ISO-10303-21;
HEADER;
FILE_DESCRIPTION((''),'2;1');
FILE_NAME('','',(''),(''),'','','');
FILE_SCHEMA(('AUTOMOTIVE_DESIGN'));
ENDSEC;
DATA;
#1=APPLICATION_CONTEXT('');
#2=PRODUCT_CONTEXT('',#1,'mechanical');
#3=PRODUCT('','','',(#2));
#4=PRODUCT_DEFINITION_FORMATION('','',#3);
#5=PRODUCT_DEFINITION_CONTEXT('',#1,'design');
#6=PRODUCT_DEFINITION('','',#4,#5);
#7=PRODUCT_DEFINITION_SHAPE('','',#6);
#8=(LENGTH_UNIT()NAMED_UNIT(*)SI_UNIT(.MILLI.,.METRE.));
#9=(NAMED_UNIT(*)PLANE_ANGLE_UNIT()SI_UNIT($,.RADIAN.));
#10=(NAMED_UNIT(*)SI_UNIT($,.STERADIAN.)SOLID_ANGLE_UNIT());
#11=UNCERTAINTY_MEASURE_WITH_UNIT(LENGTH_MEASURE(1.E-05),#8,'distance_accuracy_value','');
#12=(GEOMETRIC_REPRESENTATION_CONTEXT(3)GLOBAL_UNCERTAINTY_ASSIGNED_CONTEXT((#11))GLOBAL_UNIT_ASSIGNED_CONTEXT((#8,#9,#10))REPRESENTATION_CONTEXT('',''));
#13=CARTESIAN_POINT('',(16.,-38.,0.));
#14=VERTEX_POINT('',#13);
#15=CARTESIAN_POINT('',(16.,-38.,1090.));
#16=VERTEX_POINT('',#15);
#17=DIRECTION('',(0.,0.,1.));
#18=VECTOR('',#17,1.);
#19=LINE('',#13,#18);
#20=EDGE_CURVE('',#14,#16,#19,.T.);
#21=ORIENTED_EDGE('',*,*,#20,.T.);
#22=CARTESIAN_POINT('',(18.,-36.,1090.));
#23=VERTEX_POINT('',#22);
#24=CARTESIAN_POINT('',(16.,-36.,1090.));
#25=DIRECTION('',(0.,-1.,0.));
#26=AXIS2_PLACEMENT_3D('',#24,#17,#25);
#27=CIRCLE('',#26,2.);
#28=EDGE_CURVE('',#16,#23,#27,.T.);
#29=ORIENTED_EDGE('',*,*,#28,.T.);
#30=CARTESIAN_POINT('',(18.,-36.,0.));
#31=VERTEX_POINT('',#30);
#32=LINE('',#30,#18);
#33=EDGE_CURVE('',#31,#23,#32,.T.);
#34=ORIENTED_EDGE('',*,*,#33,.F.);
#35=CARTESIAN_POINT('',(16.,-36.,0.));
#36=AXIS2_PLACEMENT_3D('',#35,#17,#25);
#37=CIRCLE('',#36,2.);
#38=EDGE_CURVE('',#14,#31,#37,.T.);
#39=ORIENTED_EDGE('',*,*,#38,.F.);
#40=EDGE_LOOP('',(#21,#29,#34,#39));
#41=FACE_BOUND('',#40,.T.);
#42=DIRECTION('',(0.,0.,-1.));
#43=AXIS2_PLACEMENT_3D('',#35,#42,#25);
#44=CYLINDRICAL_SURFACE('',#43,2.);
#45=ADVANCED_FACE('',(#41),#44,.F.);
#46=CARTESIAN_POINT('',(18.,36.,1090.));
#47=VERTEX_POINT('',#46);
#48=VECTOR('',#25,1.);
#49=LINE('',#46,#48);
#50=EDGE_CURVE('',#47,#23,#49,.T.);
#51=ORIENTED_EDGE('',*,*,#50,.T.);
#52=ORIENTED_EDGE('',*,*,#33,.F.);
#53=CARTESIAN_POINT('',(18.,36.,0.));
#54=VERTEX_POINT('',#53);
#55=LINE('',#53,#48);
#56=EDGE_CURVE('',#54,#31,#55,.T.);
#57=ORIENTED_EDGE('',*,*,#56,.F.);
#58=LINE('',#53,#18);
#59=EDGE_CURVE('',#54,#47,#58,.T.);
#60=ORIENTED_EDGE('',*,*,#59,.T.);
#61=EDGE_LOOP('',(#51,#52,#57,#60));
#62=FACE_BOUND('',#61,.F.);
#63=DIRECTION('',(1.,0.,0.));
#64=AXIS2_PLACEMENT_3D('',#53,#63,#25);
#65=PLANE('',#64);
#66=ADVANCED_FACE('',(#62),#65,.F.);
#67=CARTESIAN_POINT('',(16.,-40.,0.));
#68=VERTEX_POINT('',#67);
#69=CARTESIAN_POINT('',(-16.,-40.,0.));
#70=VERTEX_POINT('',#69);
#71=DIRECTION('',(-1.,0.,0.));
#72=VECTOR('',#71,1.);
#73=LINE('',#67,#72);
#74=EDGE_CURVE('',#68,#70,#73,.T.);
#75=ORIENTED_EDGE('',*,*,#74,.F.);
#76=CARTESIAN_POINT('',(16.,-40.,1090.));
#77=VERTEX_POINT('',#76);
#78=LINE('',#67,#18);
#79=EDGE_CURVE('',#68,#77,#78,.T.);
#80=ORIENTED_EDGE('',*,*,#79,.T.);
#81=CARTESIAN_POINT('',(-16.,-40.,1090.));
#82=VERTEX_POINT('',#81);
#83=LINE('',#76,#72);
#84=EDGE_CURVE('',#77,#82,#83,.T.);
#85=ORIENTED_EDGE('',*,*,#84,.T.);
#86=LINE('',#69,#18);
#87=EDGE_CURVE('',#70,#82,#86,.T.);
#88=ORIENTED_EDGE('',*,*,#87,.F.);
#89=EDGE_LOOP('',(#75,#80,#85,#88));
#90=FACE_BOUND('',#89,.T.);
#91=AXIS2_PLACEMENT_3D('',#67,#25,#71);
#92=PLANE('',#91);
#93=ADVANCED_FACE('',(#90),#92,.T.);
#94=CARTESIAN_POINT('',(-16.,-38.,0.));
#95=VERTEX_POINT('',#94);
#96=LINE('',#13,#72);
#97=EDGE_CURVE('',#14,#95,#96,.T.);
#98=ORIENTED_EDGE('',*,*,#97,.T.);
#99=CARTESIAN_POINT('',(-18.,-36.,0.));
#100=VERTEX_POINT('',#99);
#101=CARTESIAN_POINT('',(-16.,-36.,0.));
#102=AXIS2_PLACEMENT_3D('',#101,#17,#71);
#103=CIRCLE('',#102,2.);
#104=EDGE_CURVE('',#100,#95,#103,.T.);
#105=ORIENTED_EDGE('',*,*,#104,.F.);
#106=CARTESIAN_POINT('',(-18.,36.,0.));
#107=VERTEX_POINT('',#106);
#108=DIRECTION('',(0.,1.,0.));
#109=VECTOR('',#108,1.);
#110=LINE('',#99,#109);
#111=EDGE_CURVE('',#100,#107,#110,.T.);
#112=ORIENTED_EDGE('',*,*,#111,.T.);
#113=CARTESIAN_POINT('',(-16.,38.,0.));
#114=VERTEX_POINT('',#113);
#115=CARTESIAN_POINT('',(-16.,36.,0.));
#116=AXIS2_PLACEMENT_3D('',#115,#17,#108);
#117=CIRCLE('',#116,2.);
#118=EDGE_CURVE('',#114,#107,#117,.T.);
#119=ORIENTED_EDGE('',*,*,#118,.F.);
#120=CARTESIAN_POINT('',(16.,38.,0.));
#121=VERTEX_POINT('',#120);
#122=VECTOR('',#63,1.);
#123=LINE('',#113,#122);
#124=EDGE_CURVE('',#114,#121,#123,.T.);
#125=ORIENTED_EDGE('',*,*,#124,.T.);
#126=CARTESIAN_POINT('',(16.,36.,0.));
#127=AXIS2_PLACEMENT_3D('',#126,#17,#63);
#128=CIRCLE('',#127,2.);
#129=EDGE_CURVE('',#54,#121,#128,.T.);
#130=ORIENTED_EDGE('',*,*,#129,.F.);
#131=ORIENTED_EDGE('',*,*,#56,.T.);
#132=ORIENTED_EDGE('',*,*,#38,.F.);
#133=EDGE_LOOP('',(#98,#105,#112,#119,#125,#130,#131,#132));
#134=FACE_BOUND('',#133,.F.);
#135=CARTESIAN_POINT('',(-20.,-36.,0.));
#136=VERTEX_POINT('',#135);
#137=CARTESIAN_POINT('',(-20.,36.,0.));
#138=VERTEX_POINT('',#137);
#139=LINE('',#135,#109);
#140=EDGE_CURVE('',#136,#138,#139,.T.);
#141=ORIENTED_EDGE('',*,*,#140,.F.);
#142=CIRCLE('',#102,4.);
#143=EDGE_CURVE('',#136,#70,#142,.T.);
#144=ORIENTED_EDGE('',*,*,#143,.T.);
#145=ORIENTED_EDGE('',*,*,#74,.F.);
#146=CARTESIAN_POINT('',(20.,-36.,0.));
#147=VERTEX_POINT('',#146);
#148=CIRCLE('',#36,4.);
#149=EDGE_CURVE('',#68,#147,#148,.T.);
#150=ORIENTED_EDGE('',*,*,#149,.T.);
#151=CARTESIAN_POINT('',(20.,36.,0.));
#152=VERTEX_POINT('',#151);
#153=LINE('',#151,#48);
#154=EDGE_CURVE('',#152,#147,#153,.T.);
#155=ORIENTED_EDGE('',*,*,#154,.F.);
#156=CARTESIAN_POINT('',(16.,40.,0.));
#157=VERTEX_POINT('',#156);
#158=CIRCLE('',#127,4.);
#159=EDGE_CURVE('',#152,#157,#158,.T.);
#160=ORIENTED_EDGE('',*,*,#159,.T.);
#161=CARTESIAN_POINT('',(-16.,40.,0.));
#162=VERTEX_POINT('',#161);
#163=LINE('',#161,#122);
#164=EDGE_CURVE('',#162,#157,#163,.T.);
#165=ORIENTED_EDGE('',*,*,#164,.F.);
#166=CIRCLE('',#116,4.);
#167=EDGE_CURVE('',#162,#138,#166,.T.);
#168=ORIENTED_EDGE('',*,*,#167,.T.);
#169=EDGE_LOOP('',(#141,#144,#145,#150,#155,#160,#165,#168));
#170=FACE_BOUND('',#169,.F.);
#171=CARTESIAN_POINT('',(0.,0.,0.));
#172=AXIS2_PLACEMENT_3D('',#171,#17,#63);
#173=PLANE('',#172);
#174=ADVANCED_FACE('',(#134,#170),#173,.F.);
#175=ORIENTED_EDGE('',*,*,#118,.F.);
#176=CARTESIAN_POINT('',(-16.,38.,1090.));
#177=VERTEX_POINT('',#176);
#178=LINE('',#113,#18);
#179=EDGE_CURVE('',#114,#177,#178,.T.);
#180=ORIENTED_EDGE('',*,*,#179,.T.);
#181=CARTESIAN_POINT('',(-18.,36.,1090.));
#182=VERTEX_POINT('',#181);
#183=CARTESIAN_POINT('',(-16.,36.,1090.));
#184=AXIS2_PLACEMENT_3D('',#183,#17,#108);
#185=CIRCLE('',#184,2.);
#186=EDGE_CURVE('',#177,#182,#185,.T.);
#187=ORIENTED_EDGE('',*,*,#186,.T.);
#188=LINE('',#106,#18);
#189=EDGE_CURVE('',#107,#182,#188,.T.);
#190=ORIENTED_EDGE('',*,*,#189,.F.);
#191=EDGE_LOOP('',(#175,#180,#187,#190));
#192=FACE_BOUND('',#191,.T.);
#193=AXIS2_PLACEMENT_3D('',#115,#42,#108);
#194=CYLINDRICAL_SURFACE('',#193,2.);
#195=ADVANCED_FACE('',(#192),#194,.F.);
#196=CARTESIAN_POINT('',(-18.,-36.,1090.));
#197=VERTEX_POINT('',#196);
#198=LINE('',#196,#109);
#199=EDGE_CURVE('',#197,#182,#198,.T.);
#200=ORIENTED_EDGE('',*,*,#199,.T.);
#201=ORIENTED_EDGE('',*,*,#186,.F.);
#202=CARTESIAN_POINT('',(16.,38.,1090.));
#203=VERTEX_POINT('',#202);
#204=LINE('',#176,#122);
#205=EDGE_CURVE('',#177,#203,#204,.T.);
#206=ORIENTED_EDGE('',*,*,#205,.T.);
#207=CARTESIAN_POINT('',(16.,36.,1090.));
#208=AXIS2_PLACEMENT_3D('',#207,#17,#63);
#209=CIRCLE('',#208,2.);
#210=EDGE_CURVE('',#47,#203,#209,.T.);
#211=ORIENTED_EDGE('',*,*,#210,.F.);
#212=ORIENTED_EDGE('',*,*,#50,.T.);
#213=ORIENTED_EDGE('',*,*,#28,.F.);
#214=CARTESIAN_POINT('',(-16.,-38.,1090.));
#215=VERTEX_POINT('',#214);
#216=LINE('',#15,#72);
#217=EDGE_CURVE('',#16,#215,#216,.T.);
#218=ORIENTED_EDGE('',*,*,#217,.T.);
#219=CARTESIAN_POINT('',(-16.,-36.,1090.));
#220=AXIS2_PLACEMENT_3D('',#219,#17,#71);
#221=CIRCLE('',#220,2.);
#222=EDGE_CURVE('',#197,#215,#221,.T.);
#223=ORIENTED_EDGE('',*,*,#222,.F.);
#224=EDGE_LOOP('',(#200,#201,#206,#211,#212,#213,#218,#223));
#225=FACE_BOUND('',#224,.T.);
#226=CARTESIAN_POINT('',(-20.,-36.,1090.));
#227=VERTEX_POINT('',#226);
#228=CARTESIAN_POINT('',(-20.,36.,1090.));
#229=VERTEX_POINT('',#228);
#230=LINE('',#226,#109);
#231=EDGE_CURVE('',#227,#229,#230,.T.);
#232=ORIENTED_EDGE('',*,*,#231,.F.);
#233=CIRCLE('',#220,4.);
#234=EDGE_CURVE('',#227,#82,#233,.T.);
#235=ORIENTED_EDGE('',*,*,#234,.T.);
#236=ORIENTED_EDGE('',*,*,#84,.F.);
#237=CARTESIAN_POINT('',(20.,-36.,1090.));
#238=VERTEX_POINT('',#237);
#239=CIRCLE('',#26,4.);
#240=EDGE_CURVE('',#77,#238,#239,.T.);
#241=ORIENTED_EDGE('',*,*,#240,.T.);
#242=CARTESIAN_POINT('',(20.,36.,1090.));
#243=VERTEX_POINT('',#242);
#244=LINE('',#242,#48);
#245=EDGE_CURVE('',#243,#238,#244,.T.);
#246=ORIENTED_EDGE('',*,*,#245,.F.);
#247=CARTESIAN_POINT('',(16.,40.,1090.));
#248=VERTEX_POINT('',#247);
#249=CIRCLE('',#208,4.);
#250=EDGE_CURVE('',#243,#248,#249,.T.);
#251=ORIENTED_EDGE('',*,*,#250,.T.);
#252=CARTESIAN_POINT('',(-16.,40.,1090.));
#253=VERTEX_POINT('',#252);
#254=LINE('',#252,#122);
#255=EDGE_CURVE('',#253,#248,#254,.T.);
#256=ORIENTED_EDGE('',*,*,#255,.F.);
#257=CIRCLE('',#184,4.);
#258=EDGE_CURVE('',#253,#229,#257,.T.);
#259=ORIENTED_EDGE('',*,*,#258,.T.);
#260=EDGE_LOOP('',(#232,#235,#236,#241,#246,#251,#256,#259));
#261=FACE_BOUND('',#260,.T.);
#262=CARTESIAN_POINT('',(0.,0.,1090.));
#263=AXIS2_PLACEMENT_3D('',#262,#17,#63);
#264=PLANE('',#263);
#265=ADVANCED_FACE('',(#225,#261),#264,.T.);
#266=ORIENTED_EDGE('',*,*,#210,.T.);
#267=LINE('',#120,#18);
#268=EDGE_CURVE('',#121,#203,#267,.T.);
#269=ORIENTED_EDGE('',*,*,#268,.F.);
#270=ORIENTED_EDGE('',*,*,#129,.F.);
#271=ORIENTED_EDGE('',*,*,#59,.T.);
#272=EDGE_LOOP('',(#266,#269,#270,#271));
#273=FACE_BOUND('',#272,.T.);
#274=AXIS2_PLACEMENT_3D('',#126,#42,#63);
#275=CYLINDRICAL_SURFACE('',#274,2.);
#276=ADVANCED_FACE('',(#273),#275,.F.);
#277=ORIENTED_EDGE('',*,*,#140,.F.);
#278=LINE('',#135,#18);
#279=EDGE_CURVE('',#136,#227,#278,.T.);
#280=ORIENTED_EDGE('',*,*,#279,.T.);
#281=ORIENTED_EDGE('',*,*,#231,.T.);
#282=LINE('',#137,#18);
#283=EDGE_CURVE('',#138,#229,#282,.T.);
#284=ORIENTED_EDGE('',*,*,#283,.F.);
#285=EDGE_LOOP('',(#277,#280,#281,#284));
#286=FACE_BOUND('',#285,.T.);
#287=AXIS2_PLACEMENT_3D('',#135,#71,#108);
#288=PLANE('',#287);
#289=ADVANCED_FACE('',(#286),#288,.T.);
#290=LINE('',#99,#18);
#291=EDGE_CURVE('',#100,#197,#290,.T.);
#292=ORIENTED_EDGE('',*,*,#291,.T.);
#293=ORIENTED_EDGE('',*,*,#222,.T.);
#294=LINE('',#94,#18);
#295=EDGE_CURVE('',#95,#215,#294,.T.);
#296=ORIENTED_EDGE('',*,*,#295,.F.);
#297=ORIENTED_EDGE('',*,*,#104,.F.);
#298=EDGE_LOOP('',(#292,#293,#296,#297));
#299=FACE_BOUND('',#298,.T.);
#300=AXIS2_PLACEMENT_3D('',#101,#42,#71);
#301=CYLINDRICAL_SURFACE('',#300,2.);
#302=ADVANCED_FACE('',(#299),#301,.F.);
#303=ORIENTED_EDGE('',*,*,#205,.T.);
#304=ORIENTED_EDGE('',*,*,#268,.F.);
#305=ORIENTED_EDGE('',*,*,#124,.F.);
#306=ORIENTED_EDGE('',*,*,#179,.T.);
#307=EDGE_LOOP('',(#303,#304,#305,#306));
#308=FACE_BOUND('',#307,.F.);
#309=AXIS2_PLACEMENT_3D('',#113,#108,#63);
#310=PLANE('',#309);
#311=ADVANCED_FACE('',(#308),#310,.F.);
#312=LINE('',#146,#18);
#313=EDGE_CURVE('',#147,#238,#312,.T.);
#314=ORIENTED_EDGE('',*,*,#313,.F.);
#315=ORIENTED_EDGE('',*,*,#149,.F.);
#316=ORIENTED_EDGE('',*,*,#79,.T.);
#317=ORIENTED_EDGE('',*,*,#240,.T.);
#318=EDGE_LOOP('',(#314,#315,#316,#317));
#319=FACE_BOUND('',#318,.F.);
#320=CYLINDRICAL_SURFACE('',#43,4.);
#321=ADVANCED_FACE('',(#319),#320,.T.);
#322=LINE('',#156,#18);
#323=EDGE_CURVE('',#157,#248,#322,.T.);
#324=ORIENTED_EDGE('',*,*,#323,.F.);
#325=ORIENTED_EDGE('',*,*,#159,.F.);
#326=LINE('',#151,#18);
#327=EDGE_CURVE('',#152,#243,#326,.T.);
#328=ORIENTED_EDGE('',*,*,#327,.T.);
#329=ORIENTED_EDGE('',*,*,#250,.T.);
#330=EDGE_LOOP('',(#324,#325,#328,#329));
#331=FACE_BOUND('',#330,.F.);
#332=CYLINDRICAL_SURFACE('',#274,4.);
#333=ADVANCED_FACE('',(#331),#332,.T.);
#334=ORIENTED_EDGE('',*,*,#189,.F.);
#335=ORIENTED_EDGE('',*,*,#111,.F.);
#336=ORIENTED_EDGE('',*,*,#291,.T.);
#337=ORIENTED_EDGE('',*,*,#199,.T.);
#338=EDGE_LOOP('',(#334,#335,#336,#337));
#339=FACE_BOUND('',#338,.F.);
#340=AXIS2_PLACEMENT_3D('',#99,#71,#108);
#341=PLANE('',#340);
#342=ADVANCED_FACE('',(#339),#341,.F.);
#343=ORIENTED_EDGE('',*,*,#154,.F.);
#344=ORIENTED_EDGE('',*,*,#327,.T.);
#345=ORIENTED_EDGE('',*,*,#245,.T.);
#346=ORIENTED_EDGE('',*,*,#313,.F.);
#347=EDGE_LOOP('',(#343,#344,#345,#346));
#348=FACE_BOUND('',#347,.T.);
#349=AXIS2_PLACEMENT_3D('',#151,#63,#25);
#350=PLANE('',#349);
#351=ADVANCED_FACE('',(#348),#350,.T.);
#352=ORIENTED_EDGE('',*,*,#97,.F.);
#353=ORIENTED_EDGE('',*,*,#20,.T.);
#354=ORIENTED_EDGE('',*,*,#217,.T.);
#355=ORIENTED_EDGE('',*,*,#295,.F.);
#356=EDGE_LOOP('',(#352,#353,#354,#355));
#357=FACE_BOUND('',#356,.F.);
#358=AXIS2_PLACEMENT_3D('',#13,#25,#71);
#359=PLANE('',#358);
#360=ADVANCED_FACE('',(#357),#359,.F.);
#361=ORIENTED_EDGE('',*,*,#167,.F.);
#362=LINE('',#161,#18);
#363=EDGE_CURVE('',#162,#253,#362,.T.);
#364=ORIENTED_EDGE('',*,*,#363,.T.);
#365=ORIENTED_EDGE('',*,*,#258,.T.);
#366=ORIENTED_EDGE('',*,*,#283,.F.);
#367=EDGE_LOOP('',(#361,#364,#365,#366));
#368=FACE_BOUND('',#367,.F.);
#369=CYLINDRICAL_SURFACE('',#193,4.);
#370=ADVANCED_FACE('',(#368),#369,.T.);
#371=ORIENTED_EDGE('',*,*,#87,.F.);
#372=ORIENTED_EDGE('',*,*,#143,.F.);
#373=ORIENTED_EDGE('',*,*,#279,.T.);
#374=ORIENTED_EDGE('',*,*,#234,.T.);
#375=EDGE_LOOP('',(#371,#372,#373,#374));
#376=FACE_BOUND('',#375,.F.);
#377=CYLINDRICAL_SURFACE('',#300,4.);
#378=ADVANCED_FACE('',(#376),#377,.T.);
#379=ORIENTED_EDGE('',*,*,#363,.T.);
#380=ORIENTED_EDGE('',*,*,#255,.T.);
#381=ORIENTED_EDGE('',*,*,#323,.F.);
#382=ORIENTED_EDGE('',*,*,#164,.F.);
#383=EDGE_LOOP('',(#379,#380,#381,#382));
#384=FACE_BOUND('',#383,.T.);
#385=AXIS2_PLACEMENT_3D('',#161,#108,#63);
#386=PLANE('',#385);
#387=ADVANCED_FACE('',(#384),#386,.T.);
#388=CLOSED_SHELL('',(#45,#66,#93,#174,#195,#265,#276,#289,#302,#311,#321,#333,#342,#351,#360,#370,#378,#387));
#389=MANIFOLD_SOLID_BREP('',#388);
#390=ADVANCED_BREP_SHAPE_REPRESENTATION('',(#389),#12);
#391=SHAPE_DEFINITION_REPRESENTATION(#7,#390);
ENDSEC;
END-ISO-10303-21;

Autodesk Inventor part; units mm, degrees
ref_plane "YZ Plane" through (0, 0, 0) normal (1, 0, 0) x (0, 1, 0)
ref_plane "Start plane" through (0, 0, 0) normal (0, 0, 1) x (1, 0, 0)
ref_plane "End plane" through (0, 0, 1090) normal (0, 0, 1) x (1, 0, 0)
sketch "Sketch" plane through (0, 0, 0) normal (0, 0, 1) x (1, 0, 0)
  line L0 (-20, -36) -> (-20, 36)
  line L1 (-16, 40) -> (16, 40)
  line L2 (20, 36) -> (20, -36)
  line L3 (16, -40) -> (-16, -40)
  arc A0 (-20, -36) -> (-16, -40) centre (-16, -36) ccw
  arc A1 (20, 36) -> (16, 40) centre (16, 36) ccw
  arc A2 (-16, 40) -> (-20, 36) centre (-16, 36) ccw
  arc A3 (16, -40) -> (20, -36) centre (16, -36) ccw
  arc A4 (-16, 38) -> (-18, 36) centre (-16, 36) ccw
  line L4 (-16, 38) -> (16, 38)
  arc A5 (18, 36) -> (16, 38) centre (16, 36) ccw
  line L5 (18, 36) -> (18, -36)
  arc A6 (16, -38) -> (18, -36) centre (16, -36) ccw
  line L6 (16, -38) -> (-16, -38)
  arc A7 (-18, -36) -> (-16, -38) centre (-16, -36) ccw
  line L7 (-18, -36) -> (-18, 36)
  line L8 (0, 37.1021) -> (0, -37.1021) construction
  line L9 (-23.1021, 0) -> (23.1021, 0) construction
  dimension "d7" = 4
  dimension "d9" = 40
  dimension "d11" = 80
  dimension "d12" = 2
  dimension "d15" = 20
  dimension "d16" = 40
extrude "Body" add sketch "Sketch" along normal up to surface (1090 mm away) from surface at 0
sketch "Sketch3" plane through (0, 0, 0) normal (0, 0, 1) x (1, 0, 0)
  line L0 (0, 0) -> (10, 0)
ref_plane "Work Plane3" through (0, 0, 0) normal (0, -1, 0) x (1, 0, 0)
sketch "Sketch4" plane through (0, 0, 0) normal (0, -1, 0) x (1, 0, 0)
  line L0 (-2, 0) -> (12, 0) projected
  line L1 (-2, 1090) -> (12, 1090) projected
  dimension "d18" = 1090
equation "\"d7\" = G_IR"
equation "\"d9\" = G_W"
equation "\"d11\" = G_H"
equation "\"d12\" = G_T"
equation "\"d15\" = 0.5 * d9"
equation "\"d16\" = 0.5 * d11"
equation "\"d3\" = G_L"
equation "\"G_W\" = 40"
equation "\"G_H\" = 80"
equation "\"G_T\" = 2"
equation "\"G_IR\" = 4"
equation "\"G_L\" = d18"
equation "\"G_OFFSET_START\" = 0"
equation "\"G_OFFSET_END\" = 0"
properties part number "ISO 4019 - 80x40x2 - 1090" material "Steel, Mild"
